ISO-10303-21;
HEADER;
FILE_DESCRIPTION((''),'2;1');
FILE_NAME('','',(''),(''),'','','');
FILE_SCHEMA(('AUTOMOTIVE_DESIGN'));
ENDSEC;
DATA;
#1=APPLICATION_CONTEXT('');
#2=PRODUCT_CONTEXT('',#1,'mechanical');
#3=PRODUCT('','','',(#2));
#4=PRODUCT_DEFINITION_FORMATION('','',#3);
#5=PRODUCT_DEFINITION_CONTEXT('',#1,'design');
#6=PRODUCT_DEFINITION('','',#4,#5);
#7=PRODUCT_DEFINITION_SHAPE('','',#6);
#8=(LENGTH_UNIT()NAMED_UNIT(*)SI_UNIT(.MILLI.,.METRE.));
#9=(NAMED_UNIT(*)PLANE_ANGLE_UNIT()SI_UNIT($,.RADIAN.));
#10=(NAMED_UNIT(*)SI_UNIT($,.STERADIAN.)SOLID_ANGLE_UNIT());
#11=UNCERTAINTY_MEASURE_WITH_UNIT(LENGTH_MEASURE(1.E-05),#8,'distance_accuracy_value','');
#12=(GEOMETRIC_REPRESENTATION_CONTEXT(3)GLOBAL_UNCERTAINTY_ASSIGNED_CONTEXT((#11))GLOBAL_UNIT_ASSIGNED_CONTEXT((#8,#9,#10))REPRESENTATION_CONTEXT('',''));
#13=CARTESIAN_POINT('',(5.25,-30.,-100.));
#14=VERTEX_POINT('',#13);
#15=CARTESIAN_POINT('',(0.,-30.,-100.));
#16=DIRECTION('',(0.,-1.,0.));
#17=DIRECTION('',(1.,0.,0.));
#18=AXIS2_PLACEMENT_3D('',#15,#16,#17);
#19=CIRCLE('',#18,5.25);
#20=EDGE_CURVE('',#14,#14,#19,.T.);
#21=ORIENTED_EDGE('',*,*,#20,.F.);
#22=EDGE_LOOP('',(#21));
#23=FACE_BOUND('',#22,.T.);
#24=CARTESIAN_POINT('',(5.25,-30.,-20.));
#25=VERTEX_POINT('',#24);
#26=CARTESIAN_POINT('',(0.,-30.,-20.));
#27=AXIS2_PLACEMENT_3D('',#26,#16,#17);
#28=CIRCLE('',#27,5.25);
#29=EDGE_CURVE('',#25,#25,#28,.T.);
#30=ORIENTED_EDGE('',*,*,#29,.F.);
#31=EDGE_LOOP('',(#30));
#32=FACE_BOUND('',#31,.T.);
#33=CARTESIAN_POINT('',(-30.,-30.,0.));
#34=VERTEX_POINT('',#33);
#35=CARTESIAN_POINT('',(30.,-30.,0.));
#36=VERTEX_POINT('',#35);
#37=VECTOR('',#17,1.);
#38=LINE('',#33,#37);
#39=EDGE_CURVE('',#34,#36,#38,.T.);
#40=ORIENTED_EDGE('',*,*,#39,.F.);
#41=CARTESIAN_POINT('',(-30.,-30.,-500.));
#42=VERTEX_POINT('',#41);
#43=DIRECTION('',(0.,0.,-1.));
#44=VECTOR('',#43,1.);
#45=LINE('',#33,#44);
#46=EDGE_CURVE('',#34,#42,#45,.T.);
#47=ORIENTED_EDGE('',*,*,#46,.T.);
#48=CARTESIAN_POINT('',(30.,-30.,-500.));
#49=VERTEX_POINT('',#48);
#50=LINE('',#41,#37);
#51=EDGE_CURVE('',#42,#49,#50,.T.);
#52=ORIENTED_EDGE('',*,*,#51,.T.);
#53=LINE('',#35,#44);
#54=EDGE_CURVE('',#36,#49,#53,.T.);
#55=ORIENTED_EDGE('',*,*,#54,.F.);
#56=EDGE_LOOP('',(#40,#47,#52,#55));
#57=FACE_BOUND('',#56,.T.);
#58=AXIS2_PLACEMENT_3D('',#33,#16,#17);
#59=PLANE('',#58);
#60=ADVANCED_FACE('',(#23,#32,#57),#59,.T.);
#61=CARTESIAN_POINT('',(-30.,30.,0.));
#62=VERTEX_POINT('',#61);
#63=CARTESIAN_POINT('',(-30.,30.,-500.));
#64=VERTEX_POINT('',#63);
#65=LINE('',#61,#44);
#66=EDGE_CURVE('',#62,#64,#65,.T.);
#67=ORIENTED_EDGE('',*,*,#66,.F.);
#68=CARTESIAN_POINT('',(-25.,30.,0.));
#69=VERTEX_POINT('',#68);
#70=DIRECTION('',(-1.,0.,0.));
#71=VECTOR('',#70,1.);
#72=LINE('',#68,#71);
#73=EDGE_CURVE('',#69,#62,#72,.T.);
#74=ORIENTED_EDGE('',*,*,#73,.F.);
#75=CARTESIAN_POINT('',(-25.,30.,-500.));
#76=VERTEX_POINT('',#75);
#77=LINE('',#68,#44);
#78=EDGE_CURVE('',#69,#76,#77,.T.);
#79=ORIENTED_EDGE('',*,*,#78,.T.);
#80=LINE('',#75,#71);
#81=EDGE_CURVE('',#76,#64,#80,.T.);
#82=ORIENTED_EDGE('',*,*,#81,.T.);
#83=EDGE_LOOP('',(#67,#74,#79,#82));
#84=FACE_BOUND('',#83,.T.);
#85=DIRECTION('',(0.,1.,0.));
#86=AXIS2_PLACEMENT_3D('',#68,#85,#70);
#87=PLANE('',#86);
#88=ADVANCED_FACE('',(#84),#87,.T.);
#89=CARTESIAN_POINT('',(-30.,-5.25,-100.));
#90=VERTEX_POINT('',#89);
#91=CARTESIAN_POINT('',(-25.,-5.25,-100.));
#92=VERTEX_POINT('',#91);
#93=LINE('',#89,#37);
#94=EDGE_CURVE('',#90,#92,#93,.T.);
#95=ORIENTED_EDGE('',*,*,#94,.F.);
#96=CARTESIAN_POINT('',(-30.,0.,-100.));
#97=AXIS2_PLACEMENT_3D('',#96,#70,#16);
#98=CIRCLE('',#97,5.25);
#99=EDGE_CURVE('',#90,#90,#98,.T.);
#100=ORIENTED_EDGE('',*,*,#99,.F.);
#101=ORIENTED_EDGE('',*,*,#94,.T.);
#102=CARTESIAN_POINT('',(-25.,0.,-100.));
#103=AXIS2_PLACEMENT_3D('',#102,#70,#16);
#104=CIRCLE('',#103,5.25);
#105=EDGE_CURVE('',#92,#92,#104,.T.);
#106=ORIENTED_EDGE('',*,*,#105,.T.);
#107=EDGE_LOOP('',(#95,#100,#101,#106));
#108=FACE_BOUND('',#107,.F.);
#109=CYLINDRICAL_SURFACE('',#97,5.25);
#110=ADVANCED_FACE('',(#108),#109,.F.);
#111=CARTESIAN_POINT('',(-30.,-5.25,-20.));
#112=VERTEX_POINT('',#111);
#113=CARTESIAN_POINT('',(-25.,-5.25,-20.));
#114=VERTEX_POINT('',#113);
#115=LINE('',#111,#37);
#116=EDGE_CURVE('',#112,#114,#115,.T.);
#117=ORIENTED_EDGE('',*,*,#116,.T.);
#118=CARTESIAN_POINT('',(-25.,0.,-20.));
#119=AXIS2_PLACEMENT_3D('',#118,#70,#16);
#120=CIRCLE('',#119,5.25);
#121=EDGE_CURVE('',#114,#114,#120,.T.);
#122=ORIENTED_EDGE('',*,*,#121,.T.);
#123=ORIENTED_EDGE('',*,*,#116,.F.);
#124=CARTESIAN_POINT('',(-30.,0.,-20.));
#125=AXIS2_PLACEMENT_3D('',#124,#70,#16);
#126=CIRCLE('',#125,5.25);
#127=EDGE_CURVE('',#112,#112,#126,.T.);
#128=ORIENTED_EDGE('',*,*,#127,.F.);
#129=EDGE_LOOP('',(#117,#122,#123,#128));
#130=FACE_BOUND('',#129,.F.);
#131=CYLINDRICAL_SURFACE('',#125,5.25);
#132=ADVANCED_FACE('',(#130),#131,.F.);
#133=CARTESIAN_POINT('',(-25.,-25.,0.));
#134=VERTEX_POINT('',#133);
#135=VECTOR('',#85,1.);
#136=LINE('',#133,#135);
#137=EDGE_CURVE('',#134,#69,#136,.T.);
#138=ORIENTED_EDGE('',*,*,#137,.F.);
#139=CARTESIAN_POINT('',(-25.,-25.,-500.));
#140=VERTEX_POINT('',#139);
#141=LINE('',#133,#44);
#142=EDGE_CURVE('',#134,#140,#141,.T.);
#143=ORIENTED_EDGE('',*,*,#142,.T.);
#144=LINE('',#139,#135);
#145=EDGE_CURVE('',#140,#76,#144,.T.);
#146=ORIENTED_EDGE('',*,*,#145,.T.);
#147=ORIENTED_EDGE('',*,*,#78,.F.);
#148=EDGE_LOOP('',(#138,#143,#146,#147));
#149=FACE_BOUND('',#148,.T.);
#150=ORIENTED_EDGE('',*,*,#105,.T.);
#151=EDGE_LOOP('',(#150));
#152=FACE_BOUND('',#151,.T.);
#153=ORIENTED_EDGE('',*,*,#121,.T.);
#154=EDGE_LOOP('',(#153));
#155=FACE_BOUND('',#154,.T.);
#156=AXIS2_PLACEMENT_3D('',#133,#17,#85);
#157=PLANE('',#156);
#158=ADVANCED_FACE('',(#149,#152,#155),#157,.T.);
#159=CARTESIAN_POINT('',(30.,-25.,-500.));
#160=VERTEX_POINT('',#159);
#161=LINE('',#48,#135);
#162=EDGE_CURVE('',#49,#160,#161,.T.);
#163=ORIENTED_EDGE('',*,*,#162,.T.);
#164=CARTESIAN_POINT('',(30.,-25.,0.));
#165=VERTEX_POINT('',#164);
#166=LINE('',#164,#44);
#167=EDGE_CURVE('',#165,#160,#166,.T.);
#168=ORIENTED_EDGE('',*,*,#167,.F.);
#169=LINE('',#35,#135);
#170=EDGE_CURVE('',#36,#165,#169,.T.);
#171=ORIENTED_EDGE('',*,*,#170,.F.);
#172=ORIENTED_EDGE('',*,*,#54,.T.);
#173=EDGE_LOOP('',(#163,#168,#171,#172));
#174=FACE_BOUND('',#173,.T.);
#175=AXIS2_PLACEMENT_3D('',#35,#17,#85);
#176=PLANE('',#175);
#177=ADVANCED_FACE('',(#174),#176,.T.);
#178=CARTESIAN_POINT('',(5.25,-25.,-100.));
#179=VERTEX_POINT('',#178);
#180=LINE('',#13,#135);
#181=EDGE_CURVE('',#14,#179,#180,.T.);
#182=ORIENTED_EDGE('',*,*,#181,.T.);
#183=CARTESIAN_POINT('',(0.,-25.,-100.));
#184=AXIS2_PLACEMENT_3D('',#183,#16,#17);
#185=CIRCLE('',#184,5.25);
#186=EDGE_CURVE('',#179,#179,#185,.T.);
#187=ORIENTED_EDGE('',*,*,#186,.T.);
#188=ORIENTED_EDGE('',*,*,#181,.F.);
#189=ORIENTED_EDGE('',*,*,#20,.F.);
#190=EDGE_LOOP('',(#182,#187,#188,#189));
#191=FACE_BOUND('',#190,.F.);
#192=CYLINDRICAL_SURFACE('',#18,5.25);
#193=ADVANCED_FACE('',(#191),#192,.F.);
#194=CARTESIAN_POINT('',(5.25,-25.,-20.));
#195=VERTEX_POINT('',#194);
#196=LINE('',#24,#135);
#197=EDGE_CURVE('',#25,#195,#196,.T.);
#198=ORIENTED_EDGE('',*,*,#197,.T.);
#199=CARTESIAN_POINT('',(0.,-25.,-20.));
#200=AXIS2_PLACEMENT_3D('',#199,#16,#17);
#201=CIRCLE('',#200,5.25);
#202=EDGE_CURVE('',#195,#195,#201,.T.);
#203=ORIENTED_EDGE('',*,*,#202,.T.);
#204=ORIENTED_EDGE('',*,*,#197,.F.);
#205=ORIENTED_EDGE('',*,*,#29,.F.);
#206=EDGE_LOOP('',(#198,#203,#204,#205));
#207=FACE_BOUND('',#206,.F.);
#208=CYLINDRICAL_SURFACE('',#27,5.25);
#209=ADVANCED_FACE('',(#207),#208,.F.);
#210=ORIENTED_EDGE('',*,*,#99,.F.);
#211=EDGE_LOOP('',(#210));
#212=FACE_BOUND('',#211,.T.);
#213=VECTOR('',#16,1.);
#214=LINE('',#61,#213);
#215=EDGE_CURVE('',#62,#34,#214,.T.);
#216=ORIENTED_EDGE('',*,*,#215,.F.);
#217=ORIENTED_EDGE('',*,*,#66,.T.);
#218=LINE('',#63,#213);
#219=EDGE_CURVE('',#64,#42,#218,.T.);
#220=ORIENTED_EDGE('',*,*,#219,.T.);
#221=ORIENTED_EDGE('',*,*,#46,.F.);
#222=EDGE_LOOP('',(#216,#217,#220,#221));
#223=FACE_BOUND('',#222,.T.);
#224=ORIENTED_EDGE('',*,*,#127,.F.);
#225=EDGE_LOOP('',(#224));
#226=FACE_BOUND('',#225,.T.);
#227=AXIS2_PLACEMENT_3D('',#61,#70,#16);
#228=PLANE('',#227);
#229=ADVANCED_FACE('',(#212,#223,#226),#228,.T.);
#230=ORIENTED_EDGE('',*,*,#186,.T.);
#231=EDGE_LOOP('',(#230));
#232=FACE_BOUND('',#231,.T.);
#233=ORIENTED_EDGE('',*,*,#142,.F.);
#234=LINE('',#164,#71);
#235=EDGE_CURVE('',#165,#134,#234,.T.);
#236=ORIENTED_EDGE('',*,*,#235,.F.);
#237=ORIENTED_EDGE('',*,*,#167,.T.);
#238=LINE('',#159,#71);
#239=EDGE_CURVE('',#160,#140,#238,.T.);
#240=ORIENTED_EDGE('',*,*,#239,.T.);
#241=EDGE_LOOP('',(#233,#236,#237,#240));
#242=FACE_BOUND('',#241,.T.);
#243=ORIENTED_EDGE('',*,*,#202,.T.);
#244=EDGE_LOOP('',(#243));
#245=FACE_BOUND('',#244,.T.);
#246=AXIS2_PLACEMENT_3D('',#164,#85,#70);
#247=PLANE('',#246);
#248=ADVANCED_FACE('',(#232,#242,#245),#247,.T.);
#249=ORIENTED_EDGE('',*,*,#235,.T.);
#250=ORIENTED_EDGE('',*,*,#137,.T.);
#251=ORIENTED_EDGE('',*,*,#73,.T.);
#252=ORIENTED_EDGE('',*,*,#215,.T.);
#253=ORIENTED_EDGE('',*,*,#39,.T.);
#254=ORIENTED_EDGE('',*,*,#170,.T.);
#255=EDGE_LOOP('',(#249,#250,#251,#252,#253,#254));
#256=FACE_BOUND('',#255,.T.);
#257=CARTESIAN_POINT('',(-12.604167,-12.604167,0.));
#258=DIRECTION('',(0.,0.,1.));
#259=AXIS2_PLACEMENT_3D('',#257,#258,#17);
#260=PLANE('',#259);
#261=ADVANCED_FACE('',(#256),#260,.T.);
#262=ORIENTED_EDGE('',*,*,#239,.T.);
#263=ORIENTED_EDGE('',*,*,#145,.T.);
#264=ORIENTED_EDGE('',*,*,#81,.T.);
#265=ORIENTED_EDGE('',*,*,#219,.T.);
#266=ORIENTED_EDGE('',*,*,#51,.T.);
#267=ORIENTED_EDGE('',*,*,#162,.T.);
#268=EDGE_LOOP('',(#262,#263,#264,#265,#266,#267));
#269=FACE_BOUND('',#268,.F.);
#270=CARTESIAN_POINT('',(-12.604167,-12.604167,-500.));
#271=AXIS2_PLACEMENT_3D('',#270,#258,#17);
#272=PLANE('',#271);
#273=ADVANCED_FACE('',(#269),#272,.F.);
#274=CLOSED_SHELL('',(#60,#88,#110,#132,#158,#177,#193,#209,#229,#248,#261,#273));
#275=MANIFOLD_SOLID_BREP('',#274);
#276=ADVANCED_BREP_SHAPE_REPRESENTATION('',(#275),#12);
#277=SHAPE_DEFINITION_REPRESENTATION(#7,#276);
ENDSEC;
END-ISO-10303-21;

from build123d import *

# Parameters (mm, degrees)
F1_DEPTH = 500
F2_R     = 5.25
F3_DEPTH = 10
F4_R     = 5.25
F5_DEPTH = 10


with BuildPart() as f1:
    # F0 (on Top) → F1 (new body)
    with BuildSketch(Plane.XY):
        Polygon((-25, 30), (-30, 30), (-30, -30), (30, -30), (30, -25), (-25, -25), align=None)
    extrude(amount=-F1_DEPTH)

    # F2 (on face) → F3 (cut)
    with BuildSketch(Plane.XZ.offset(30)):
        with Locations((0, -20)):
            Circle(F2_R)
        with Locations((0, -100)):
            Circle(F2_R)
    extrude(amount=-F3_DEPTH, mode=Mode.SUBTRACT)

    # F4 (on face) → F5 (cut)
    with BuildSketch(Plane(origin=(-30, 0, 0), x_dir=(0, -1, 0), z_dir=(-1, 0, 0))):
        with Locations((0, -20)):
            Circle(F4_R)
        with Locations((0, -100)):
            Circle(F4_R)
    extrude(amount=-F5_DEPTH, mode=Mode.SUBTRACT)


solid = f1.part
